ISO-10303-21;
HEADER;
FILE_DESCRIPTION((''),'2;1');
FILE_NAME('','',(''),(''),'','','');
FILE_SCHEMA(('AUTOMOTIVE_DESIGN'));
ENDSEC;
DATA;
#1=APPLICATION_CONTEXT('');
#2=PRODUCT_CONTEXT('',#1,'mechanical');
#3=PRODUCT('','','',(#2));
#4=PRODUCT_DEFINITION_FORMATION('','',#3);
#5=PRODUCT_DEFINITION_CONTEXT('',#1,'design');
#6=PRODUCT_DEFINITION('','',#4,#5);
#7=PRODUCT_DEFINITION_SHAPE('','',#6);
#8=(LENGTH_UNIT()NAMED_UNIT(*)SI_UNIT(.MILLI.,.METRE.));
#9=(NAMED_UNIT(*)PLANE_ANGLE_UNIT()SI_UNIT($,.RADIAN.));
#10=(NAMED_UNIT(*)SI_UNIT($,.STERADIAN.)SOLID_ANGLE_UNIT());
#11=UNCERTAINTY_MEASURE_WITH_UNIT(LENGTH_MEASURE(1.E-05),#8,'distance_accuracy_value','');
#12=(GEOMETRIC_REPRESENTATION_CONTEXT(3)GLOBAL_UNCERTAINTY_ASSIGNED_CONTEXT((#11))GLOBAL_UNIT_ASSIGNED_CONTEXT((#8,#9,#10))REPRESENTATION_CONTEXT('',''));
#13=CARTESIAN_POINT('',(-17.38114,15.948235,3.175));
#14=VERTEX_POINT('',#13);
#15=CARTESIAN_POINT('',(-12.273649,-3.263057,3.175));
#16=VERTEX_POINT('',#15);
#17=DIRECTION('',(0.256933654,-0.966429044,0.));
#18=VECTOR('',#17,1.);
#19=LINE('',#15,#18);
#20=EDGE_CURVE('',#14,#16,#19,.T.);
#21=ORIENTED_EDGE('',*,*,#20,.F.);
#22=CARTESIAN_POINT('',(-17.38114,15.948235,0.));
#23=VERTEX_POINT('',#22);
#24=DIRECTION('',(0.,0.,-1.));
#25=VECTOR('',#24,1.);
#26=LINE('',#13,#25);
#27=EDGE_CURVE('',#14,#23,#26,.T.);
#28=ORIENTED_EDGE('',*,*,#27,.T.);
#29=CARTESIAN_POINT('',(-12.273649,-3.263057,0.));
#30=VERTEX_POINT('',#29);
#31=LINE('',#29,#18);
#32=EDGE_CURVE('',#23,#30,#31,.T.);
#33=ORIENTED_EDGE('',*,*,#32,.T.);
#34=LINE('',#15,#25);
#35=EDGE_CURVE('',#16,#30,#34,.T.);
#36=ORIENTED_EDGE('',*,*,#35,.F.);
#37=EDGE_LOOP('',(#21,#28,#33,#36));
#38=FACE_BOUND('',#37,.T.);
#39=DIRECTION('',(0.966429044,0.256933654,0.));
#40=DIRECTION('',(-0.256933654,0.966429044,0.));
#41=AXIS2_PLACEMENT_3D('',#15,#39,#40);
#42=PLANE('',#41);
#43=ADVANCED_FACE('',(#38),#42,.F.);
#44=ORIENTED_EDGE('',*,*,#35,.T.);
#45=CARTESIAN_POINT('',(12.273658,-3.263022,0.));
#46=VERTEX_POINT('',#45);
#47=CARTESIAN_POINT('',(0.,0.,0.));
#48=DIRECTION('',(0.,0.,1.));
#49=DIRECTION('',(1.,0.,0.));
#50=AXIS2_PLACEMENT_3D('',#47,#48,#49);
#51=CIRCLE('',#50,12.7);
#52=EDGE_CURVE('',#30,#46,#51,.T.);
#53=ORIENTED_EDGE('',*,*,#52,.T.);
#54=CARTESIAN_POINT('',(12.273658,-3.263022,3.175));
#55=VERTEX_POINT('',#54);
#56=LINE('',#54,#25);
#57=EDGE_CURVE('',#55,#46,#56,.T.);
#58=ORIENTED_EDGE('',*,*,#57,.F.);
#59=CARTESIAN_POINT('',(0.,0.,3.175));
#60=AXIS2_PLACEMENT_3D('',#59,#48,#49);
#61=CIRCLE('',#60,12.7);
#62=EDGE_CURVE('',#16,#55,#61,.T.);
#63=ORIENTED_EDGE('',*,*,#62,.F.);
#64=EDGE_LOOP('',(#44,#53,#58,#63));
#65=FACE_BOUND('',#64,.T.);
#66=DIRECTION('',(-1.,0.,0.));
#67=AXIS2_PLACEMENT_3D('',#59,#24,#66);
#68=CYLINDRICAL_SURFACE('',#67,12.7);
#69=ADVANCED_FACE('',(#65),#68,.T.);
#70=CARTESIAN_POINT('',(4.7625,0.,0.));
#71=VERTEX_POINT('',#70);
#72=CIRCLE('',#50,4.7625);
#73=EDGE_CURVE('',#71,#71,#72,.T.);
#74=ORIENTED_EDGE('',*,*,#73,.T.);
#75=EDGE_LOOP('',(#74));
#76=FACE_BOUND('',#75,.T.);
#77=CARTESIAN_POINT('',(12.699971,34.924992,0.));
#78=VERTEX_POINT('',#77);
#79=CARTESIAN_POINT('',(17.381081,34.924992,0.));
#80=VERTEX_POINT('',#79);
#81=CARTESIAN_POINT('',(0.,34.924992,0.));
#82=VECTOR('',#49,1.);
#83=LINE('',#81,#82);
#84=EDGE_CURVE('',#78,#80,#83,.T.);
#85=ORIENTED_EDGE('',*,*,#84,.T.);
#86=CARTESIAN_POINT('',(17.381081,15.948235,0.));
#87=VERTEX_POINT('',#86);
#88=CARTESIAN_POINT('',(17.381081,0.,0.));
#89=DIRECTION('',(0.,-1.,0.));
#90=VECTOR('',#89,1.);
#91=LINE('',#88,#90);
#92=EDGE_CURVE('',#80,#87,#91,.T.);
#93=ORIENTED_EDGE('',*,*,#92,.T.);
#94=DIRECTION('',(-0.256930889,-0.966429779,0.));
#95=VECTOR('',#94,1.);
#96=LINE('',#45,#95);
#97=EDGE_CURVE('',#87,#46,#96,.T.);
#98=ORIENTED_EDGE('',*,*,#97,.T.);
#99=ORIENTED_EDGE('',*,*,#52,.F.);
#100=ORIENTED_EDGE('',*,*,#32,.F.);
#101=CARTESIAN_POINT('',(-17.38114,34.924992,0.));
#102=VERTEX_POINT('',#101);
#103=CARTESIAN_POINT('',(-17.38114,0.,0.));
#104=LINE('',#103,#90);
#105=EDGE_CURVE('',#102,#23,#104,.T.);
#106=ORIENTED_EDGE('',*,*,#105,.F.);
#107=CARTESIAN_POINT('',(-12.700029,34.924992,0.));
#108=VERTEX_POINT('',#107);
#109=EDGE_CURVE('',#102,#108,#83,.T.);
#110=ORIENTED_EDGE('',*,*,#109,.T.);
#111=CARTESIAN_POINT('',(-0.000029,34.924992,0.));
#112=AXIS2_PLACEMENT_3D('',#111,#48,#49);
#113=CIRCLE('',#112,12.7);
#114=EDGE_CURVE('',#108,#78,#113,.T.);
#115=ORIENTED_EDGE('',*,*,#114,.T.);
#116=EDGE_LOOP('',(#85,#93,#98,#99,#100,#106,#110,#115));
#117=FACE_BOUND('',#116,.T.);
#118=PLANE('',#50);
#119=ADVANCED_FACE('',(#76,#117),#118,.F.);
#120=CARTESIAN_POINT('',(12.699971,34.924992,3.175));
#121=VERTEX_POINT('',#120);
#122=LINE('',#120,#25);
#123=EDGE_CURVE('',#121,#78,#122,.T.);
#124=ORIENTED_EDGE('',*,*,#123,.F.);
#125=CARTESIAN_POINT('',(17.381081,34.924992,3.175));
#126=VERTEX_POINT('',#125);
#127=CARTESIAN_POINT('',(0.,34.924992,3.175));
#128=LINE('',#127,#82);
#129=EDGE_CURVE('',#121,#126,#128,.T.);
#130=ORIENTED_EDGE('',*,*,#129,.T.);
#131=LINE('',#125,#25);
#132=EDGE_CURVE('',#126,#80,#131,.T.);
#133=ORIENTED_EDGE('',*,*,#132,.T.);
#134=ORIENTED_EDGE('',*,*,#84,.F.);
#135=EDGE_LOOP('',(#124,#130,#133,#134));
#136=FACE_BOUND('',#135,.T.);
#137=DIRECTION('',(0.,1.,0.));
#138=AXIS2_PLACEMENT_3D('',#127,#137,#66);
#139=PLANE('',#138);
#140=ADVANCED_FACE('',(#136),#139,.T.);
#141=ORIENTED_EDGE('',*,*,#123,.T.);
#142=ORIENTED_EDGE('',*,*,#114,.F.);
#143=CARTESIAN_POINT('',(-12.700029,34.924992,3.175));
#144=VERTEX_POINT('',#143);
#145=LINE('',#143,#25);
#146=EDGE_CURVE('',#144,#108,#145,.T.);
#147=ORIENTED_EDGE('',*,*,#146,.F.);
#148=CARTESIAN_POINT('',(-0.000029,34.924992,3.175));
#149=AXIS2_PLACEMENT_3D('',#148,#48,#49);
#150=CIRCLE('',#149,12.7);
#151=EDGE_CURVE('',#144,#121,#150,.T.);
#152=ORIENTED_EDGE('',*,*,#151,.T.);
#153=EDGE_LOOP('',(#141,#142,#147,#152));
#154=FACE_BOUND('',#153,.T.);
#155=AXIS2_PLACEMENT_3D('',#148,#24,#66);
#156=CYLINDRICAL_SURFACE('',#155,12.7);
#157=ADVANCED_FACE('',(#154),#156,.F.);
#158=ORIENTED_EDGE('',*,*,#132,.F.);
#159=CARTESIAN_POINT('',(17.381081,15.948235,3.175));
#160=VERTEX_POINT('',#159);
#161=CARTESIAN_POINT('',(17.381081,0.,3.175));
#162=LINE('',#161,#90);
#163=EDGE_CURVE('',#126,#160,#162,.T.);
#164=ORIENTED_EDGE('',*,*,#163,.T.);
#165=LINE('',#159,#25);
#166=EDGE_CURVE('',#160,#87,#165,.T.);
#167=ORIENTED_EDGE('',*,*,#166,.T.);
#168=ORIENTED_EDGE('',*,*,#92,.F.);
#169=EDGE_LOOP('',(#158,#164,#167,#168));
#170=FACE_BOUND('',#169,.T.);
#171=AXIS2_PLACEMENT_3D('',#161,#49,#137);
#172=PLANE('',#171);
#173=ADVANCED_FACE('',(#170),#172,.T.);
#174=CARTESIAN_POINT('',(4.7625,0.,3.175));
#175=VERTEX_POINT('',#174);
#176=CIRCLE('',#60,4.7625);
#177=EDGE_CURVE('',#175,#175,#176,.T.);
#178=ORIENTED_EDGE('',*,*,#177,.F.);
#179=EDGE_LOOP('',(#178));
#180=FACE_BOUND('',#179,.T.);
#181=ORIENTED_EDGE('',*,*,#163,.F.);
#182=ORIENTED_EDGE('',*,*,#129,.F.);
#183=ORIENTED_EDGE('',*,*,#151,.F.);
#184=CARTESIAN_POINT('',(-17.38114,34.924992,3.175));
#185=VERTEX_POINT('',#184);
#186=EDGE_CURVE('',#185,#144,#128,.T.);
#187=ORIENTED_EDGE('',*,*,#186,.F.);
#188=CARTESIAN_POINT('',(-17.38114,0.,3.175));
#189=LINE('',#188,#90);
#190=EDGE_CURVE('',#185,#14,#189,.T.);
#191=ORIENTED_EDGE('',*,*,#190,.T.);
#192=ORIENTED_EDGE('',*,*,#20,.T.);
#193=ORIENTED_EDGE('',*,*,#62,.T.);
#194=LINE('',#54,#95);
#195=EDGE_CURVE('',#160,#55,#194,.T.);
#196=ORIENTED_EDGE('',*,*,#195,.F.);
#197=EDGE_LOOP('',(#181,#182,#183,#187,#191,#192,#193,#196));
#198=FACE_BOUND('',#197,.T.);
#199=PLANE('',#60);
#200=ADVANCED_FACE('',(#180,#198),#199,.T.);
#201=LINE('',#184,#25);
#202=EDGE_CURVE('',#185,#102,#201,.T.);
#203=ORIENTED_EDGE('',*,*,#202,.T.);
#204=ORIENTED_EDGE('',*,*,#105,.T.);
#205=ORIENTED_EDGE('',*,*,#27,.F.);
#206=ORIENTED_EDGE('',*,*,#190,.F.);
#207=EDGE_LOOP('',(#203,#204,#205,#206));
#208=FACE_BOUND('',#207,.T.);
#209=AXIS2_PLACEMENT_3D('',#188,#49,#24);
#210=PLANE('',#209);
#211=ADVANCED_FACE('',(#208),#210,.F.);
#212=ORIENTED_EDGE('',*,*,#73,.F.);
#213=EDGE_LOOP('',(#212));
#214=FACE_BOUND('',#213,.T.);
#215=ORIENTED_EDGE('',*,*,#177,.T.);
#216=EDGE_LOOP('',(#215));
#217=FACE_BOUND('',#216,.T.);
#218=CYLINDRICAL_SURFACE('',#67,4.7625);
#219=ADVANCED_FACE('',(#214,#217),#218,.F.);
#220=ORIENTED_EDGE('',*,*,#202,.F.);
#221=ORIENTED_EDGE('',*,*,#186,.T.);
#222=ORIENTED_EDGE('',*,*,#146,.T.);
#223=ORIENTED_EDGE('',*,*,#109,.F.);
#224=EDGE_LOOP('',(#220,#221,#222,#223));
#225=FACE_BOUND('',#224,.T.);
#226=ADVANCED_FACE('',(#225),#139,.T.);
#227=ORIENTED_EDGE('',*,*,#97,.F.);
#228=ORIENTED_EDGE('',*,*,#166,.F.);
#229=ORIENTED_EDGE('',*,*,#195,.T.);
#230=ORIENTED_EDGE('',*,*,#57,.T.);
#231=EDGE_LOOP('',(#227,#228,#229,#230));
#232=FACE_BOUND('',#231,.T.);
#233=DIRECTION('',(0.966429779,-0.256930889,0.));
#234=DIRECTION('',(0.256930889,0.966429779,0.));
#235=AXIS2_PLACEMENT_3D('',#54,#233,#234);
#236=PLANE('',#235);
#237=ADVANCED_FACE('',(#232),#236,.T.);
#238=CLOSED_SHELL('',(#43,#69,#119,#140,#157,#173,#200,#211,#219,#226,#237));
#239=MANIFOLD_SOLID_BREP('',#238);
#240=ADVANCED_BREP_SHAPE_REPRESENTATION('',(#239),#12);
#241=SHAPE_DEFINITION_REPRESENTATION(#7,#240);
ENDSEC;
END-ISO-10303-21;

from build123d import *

# Parameters (mm, degrees)
SKETCH1_R           = 12.7
SKETCH1_R_2         = 4.7625
BOSS_EXTRUDE1_DEPTH = 3.175


with BuildPart() as part:
    # Sketch1 → Boss-Extrude1 (new body)
    with BuildSketch(Plane.XY):
        with BuildLine():
            Line((-12.70002942, 34.924992178), (-17.381139802, 34.924992178))
            Line((-17.381139802, 34.924992178), (-17.381139802, 15.948235146))
            Line((-17.381139802, 15.948235146), (-12.273648862, -3.263057403))
            ThreePointArc((-12.273648862, -3.263057403), (-1.645396526, 12.59296114), (12.7, 0))
            ThreePointArc((12.7, 0), (12.592963493, -1.645378514), (12.273658196, -3.263022292))
            Line((12.273658196, -3.263022292), (17.381080961, 15.948235146))
            Line((17.381080961, 15.948235146), (17.381080961, 34.924992178))
            Line((17.381080961, 34.924992178), (12.69997058, 34.924992178))
            ThreePointArc((12.69997058, 34.924992178), (-2.942e-05, 22.224992178), (-12.70002942, 34.924992178))
        make_face()
        Circle(SKETCH1_R)
        Circle(SKETCH1_R_2, mode=Mode.SUBTRACT)
    extrude(amount=BOSS_EXTRUDE1_DEPTH)


solid = part.part
